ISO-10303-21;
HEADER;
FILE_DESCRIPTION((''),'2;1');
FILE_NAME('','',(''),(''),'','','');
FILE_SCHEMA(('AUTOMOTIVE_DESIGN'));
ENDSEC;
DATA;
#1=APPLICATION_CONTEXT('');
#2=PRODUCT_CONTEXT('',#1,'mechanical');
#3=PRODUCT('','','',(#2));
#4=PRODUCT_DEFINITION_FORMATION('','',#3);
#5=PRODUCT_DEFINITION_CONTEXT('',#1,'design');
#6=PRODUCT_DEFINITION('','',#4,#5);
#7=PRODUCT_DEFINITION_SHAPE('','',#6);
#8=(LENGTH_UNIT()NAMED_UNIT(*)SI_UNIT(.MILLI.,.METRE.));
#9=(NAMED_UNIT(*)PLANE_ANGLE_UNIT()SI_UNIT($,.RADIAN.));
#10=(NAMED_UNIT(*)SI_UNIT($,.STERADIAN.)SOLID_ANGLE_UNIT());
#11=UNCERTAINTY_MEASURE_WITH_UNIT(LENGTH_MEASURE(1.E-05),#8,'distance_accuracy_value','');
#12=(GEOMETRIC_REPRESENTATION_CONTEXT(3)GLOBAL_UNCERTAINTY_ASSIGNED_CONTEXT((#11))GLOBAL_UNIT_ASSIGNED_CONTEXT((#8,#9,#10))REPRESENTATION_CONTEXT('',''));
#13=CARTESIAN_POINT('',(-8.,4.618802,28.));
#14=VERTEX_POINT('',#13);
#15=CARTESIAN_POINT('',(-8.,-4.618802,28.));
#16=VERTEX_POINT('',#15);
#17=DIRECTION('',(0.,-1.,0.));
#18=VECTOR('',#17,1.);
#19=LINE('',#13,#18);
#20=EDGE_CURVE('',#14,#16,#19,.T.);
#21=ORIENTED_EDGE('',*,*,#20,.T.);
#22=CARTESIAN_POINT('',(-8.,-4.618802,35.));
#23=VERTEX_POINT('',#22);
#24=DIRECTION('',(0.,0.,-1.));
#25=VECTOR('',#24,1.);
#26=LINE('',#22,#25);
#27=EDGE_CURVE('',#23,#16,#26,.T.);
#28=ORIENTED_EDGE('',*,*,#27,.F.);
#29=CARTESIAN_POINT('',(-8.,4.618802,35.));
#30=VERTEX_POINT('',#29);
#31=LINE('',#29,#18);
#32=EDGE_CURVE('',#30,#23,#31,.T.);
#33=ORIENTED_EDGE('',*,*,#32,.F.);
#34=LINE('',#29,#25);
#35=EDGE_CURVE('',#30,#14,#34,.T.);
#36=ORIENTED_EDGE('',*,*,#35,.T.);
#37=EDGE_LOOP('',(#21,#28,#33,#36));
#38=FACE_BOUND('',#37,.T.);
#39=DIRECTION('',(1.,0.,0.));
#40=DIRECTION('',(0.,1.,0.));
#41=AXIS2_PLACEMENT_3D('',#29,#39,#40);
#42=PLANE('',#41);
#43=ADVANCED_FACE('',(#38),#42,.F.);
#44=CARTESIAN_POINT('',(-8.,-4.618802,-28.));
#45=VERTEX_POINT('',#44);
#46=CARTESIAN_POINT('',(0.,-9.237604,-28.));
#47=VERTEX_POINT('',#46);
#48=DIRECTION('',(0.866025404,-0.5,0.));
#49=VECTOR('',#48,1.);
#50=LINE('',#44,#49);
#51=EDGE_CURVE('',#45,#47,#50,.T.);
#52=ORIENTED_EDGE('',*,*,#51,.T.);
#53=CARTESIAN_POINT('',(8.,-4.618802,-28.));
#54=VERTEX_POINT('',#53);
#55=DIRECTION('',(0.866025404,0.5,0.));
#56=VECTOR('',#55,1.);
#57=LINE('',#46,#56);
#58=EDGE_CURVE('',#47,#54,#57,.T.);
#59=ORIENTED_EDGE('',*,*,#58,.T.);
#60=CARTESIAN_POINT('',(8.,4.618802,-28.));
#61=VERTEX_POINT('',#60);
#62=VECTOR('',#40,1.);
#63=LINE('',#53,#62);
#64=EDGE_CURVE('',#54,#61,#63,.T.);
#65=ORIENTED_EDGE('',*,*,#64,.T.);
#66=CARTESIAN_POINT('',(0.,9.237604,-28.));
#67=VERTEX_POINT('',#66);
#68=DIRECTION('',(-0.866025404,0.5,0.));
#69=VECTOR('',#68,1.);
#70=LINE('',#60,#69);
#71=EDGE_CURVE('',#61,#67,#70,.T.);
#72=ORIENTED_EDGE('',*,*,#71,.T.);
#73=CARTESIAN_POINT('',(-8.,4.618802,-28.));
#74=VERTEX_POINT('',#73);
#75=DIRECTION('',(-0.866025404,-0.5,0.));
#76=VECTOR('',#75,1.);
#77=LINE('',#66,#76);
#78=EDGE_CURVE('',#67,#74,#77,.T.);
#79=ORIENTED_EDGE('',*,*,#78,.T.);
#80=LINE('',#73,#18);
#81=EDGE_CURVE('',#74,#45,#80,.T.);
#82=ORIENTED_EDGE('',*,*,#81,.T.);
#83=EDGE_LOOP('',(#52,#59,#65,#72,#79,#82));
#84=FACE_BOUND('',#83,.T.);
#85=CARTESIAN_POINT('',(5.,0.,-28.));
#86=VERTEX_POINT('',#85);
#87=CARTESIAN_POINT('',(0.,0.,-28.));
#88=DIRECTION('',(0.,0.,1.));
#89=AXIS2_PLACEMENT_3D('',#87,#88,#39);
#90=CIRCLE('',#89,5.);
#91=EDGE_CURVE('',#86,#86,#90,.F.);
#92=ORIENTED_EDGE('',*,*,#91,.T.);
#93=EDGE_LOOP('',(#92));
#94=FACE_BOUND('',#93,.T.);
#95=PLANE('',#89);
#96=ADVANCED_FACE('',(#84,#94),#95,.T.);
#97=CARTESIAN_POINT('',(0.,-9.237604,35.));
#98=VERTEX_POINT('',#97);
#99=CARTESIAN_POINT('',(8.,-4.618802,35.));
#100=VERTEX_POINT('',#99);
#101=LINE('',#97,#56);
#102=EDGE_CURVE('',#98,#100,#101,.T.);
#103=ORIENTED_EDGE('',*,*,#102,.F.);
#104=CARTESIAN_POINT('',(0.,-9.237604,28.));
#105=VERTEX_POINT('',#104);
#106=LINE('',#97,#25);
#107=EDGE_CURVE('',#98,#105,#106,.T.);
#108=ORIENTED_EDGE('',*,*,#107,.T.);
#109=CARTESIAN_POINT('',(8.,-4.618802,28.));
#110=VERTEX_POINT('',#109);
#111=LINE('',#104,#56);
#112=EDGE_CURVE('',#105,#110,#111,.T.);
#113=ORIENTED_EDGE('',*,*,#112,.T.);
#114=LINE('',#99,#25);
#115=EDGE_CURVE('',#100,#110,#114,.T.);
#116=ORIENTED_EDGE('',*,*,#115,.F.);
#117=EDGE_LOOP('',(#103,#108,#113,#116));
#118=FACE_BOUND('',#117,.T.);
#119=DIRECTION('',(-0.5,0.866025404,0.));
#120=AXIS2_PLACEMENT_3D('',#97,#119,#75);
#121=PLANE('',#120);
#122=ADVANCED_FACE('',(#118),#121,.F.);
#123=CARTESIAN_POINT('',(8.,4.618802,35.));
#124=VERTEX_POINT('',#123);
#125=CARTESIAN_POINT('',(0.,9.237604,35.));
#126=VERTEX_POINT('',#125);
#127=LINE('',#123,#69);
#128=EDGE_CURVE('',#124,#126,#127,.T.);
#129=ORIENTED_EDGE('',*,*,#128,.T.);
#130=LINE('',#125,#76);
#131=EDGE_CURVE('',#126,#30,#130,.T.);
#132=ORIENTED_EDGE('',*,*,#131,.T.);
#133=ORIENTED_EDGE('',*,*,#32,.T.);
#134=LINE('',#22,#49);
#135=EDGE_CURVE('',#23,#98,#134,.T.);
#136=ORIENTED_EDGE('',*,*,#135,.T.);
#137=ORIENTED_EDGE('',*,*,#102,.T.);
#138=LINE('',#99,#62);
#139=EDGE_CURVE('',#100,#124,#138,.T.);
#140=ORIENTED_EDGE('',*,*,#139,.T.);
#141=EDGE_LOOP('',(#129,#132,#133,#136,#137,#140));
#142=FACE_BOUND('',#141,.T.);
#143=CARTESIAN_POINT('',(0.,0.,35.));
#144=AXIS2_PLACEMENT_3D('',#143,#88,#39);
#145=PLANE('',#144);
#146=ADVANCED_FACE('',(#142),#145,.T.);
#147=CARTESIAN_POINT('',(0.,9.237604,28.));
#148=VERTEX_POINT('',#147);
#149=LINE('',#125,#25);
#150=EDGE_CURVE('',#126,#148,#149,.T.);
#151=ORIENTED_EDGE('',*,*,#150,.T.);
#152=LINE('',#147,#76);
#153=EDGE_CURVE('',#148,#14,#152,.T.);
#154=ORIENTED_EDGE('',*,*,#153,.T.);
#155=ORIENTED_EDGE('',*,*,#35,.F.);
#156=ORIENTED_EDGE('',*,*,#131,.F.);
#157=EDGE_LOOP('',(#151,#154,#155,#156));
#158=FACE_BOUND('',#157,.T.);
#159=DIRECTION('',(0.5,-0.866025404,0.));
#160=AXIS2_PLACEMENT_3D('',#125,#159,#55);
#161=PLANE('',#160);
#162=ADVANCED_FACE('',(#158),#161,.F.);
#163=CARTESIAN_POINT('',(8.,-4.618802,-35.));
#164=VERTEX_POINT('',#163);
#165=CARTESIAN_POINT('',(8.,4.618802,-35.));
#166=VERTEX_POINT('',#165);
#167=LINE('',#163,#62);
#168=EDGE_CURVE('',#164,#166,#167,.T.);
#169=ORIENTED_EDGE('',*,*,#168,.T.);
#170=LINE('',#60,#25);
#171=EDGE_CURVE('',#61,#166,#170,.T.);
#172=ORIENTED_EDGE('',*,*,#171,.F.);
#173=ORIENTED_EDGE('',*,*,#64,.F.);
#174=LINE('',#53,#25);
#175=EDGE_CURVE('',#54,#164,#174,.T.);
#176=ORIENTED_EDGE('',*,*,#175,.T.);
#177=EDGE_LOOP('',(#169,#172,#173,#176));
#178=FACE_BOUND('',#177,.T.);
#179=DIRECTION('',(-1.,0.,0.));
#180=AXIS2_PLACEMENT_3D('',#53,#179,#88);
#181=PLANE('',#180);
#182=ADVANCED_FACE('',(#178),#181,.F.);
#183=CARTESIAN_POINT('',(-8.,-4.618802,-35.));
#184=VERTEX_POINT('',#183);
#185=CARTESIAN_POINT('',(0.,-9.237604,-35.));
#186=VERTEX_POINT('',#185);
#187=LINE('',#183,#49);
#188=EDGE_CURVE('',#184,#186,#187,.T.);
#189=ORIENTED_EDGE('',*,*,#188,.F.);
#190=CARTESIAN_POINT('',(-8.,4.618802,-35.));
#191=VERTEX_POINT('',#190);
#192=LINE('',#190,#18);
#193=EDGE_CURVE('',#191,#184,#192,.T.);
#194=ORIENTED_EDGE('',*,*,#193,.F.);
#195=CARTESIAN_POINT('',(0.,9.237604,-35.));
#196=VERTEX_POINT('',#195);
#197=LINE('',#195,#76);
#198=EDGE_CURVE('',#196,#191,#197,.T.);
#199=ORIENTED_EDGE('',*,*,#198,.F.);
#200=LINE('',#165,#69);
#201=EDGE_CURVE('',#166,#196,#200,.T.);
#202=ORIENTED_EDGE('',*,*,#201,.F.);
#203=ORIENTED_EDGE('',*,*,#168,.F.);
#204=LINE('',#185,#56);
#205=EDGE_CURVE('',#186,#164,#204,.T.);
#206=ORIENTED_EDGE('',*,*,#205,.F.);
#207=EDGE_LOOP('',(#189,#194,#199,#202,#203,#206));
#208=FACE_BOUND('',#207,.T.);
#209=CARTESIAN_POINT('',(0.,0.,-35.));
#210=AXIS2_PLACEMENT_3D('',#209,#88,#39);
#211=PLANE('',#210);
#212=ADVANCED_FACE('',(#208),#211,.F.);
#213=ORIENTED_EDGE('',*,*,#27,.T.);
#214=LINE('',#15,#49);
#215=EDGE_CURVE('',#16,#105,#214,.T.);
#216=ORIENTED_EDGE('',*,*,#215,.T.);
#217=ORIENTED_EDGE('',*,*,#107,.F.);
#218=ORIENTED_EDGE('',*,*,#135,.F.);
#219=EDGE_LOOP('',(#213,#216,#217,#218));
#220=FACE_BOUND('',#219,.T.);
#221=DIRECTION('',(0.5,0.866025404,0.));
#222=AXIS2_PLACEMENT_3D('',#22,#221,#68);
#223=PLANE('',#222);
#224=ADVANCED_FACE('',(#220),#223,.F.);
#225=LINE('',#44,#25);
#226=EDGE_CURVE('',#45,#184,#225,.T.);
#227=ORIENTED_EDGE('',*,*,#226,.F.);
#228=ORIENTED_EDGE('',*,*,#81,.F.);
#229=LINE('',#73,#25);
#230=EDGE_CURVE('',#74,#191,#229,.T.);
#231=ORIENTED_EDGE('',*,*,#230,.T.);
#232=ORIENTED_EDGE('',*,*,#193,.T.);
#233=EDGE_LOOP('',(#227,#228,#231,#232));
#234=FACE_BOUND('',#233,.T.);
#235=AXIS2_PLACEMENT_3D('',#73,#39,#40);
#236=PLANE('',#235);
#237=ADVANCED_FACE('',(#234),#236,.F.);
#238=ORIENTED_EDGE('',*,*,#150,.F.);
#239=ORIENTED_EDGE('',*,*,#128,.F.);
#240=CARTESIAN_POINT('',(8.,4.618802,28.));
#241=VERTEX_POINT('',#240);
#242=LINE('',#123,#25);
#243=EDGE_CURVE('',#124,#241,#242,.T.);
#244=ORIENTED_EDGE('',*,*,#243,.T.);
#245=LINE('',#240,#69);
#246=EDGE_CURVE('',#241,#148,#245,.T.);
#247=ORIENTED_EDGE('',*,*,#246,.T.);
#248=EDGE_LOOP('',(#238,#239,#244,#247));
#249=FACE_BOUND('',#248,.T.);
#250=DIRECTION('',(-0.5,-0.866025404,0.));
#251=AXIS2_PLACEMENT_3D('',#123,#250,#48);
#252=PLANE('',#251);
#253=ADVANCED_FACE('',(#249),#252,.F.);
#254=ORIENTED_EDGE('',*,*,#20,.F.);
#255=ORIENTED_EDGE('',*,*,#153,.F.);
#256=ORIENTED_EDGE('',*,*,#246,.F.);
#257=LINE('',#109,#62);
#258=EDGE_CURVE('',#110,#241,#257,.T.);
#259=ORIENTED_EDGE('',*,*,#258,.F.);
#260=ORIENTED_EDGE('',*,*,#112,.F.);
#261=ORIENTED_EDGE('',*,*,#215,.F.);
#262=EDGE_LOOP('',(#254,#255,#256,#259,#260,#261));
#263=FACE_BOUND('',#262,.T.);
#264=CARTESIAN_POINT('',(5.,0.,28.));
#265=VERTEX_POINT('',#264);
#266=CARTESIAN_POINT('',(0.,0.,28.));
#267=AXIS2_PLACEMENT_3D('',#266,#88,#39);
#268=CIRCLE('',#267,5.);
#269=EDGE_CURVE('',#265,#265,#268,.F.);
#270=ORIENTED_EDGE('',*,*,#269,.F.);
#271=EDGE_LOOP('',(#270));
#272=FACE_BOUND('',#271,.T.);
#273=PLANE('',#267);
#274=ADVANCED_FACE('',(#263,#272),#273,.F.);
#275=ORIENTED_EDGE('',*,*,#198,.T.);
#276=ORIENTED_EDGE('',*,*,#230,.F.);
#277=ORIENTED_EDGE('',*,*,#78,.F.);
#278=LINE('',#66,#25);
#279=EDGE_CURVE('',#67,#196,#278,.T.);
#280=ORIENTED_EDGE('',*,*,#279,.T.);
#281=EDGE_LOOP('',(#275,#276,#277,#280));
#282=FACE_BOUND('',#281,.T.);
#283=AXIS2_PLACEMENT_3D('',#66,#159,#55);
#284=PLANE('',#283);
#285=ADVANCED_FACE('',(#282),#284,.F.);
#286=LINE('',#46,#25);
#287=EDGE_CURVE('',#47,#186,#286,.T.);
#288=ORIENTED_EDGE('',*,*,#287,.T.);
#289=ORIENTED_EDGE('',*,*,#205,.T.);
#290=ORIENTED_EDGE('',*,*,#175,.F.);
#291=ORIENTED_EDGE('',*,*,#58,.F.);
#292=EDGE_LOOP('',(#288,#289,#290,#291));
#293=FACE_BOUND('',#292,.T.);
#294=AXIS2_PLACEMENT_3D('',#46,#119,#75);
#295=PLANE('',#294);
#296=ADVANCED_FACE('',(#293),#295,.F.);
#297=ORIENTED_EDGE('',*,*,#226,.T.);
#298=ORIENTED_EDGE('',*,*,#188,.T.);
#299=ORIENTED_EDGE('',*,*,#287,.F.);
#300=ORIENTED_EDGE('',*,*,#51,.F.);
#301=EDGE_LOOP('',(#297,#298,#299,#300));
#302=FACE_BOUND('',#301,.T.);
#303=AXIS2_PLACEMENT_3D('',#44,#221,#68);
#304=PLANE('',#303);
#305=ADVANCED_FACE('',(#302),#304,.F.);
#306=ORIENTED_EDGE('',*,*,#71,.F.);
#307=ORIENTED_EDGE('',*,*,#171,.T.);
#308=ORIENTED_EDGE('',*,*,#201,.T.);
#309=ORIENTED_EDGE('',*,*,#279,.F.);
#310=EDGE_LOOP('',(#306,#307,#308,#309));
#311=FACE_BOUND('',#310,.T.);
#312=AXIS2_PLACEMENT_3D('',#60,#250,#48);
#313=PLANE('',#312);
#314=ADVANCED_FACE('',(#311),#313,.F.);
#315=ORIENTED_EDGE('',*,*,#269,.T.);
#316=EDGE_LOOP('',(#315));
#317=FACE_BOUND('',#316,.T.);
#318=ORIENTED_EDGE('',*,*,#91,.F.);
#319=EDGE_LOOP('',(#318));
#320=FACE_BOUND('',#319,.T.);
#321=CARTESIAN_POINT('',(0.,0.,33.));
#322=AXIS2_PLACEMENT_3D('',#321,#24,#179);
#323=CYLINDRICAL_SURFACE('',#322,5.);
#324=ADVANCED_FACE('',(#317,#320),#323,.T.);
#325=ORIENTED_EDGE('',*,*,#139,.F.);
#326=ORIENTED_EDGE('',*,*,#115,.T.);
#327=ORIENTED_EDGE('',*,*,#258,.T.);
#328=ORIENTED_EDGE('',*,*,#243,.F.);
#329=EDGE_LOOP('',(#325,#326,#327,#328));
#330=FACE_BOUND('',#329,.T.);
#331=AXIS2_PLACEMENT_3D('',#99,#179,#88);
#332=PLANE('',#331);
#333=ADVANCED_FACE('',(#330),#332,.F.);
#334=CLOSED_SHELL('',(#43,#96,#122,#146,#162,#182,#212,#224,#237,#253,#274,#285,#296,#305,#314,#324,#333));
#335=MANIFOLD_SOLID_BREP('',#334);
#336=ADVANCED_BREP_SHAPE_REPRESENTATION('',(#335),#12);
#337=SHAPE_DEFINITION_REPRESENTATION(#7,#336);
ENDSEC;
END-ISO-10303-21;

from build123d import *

# Parameters (mm, degrees)
EXTRUDE_START      = -33
EXTRUDE_SKETCH_1_R = 5
EXTRUDE_1_DEPTH    = 66
EXTRUDE_START_2    = 28
EXTRUDE_2_DEPTH    = 7
EXTRUDE_START_3    = -35
EXTRUDE_3_DEPTH    = 7


with BuildPart() as part:
    # Extrude sketch 1 → Extrude 1 (new body)
    with BuildSketch(Plane.XY.offset(EXTRUDE_START)):
        Circle(EXTRUDE_SKETCH_1_R)
    extrude(amount=EXTRUDE_1_DEPTH)


with BuildPart() as body_2:
    # Extrude sketch 2 → Extrude 2 (new body)
    with BuildSketch(Plane.XY.offset(EXTRUDE_START_2)):
        Polygon((8, 4.618802154), (0, 9.237604307), (-8, 4.618802154), (-8, -4.618802154), (0, -9.237604307), (8, -4.618802154), align=None)
    extrude(amount=EXTRUDE_2_DEPTH)


with BuildPart() as body_3:
    # Extrude sketch 3 → Extrude 3 (new body)
    with BuildSketch(Plane.XY.offset(EXTRUDE_START_3)):
        Polygon((8, 4.618802154), (0, 9.237604307), (-8, 4.618802154), (-8, -4.618802154), (0, -9.237604307), (8, -4.618802154), align=None)
    extrude(amount=EXTRUDE_3_DEPTH)

    # Combine (weld / assembly of features): union body 2, part
    add(body_2.part)
    add(part.part)


solid = body_3.part
